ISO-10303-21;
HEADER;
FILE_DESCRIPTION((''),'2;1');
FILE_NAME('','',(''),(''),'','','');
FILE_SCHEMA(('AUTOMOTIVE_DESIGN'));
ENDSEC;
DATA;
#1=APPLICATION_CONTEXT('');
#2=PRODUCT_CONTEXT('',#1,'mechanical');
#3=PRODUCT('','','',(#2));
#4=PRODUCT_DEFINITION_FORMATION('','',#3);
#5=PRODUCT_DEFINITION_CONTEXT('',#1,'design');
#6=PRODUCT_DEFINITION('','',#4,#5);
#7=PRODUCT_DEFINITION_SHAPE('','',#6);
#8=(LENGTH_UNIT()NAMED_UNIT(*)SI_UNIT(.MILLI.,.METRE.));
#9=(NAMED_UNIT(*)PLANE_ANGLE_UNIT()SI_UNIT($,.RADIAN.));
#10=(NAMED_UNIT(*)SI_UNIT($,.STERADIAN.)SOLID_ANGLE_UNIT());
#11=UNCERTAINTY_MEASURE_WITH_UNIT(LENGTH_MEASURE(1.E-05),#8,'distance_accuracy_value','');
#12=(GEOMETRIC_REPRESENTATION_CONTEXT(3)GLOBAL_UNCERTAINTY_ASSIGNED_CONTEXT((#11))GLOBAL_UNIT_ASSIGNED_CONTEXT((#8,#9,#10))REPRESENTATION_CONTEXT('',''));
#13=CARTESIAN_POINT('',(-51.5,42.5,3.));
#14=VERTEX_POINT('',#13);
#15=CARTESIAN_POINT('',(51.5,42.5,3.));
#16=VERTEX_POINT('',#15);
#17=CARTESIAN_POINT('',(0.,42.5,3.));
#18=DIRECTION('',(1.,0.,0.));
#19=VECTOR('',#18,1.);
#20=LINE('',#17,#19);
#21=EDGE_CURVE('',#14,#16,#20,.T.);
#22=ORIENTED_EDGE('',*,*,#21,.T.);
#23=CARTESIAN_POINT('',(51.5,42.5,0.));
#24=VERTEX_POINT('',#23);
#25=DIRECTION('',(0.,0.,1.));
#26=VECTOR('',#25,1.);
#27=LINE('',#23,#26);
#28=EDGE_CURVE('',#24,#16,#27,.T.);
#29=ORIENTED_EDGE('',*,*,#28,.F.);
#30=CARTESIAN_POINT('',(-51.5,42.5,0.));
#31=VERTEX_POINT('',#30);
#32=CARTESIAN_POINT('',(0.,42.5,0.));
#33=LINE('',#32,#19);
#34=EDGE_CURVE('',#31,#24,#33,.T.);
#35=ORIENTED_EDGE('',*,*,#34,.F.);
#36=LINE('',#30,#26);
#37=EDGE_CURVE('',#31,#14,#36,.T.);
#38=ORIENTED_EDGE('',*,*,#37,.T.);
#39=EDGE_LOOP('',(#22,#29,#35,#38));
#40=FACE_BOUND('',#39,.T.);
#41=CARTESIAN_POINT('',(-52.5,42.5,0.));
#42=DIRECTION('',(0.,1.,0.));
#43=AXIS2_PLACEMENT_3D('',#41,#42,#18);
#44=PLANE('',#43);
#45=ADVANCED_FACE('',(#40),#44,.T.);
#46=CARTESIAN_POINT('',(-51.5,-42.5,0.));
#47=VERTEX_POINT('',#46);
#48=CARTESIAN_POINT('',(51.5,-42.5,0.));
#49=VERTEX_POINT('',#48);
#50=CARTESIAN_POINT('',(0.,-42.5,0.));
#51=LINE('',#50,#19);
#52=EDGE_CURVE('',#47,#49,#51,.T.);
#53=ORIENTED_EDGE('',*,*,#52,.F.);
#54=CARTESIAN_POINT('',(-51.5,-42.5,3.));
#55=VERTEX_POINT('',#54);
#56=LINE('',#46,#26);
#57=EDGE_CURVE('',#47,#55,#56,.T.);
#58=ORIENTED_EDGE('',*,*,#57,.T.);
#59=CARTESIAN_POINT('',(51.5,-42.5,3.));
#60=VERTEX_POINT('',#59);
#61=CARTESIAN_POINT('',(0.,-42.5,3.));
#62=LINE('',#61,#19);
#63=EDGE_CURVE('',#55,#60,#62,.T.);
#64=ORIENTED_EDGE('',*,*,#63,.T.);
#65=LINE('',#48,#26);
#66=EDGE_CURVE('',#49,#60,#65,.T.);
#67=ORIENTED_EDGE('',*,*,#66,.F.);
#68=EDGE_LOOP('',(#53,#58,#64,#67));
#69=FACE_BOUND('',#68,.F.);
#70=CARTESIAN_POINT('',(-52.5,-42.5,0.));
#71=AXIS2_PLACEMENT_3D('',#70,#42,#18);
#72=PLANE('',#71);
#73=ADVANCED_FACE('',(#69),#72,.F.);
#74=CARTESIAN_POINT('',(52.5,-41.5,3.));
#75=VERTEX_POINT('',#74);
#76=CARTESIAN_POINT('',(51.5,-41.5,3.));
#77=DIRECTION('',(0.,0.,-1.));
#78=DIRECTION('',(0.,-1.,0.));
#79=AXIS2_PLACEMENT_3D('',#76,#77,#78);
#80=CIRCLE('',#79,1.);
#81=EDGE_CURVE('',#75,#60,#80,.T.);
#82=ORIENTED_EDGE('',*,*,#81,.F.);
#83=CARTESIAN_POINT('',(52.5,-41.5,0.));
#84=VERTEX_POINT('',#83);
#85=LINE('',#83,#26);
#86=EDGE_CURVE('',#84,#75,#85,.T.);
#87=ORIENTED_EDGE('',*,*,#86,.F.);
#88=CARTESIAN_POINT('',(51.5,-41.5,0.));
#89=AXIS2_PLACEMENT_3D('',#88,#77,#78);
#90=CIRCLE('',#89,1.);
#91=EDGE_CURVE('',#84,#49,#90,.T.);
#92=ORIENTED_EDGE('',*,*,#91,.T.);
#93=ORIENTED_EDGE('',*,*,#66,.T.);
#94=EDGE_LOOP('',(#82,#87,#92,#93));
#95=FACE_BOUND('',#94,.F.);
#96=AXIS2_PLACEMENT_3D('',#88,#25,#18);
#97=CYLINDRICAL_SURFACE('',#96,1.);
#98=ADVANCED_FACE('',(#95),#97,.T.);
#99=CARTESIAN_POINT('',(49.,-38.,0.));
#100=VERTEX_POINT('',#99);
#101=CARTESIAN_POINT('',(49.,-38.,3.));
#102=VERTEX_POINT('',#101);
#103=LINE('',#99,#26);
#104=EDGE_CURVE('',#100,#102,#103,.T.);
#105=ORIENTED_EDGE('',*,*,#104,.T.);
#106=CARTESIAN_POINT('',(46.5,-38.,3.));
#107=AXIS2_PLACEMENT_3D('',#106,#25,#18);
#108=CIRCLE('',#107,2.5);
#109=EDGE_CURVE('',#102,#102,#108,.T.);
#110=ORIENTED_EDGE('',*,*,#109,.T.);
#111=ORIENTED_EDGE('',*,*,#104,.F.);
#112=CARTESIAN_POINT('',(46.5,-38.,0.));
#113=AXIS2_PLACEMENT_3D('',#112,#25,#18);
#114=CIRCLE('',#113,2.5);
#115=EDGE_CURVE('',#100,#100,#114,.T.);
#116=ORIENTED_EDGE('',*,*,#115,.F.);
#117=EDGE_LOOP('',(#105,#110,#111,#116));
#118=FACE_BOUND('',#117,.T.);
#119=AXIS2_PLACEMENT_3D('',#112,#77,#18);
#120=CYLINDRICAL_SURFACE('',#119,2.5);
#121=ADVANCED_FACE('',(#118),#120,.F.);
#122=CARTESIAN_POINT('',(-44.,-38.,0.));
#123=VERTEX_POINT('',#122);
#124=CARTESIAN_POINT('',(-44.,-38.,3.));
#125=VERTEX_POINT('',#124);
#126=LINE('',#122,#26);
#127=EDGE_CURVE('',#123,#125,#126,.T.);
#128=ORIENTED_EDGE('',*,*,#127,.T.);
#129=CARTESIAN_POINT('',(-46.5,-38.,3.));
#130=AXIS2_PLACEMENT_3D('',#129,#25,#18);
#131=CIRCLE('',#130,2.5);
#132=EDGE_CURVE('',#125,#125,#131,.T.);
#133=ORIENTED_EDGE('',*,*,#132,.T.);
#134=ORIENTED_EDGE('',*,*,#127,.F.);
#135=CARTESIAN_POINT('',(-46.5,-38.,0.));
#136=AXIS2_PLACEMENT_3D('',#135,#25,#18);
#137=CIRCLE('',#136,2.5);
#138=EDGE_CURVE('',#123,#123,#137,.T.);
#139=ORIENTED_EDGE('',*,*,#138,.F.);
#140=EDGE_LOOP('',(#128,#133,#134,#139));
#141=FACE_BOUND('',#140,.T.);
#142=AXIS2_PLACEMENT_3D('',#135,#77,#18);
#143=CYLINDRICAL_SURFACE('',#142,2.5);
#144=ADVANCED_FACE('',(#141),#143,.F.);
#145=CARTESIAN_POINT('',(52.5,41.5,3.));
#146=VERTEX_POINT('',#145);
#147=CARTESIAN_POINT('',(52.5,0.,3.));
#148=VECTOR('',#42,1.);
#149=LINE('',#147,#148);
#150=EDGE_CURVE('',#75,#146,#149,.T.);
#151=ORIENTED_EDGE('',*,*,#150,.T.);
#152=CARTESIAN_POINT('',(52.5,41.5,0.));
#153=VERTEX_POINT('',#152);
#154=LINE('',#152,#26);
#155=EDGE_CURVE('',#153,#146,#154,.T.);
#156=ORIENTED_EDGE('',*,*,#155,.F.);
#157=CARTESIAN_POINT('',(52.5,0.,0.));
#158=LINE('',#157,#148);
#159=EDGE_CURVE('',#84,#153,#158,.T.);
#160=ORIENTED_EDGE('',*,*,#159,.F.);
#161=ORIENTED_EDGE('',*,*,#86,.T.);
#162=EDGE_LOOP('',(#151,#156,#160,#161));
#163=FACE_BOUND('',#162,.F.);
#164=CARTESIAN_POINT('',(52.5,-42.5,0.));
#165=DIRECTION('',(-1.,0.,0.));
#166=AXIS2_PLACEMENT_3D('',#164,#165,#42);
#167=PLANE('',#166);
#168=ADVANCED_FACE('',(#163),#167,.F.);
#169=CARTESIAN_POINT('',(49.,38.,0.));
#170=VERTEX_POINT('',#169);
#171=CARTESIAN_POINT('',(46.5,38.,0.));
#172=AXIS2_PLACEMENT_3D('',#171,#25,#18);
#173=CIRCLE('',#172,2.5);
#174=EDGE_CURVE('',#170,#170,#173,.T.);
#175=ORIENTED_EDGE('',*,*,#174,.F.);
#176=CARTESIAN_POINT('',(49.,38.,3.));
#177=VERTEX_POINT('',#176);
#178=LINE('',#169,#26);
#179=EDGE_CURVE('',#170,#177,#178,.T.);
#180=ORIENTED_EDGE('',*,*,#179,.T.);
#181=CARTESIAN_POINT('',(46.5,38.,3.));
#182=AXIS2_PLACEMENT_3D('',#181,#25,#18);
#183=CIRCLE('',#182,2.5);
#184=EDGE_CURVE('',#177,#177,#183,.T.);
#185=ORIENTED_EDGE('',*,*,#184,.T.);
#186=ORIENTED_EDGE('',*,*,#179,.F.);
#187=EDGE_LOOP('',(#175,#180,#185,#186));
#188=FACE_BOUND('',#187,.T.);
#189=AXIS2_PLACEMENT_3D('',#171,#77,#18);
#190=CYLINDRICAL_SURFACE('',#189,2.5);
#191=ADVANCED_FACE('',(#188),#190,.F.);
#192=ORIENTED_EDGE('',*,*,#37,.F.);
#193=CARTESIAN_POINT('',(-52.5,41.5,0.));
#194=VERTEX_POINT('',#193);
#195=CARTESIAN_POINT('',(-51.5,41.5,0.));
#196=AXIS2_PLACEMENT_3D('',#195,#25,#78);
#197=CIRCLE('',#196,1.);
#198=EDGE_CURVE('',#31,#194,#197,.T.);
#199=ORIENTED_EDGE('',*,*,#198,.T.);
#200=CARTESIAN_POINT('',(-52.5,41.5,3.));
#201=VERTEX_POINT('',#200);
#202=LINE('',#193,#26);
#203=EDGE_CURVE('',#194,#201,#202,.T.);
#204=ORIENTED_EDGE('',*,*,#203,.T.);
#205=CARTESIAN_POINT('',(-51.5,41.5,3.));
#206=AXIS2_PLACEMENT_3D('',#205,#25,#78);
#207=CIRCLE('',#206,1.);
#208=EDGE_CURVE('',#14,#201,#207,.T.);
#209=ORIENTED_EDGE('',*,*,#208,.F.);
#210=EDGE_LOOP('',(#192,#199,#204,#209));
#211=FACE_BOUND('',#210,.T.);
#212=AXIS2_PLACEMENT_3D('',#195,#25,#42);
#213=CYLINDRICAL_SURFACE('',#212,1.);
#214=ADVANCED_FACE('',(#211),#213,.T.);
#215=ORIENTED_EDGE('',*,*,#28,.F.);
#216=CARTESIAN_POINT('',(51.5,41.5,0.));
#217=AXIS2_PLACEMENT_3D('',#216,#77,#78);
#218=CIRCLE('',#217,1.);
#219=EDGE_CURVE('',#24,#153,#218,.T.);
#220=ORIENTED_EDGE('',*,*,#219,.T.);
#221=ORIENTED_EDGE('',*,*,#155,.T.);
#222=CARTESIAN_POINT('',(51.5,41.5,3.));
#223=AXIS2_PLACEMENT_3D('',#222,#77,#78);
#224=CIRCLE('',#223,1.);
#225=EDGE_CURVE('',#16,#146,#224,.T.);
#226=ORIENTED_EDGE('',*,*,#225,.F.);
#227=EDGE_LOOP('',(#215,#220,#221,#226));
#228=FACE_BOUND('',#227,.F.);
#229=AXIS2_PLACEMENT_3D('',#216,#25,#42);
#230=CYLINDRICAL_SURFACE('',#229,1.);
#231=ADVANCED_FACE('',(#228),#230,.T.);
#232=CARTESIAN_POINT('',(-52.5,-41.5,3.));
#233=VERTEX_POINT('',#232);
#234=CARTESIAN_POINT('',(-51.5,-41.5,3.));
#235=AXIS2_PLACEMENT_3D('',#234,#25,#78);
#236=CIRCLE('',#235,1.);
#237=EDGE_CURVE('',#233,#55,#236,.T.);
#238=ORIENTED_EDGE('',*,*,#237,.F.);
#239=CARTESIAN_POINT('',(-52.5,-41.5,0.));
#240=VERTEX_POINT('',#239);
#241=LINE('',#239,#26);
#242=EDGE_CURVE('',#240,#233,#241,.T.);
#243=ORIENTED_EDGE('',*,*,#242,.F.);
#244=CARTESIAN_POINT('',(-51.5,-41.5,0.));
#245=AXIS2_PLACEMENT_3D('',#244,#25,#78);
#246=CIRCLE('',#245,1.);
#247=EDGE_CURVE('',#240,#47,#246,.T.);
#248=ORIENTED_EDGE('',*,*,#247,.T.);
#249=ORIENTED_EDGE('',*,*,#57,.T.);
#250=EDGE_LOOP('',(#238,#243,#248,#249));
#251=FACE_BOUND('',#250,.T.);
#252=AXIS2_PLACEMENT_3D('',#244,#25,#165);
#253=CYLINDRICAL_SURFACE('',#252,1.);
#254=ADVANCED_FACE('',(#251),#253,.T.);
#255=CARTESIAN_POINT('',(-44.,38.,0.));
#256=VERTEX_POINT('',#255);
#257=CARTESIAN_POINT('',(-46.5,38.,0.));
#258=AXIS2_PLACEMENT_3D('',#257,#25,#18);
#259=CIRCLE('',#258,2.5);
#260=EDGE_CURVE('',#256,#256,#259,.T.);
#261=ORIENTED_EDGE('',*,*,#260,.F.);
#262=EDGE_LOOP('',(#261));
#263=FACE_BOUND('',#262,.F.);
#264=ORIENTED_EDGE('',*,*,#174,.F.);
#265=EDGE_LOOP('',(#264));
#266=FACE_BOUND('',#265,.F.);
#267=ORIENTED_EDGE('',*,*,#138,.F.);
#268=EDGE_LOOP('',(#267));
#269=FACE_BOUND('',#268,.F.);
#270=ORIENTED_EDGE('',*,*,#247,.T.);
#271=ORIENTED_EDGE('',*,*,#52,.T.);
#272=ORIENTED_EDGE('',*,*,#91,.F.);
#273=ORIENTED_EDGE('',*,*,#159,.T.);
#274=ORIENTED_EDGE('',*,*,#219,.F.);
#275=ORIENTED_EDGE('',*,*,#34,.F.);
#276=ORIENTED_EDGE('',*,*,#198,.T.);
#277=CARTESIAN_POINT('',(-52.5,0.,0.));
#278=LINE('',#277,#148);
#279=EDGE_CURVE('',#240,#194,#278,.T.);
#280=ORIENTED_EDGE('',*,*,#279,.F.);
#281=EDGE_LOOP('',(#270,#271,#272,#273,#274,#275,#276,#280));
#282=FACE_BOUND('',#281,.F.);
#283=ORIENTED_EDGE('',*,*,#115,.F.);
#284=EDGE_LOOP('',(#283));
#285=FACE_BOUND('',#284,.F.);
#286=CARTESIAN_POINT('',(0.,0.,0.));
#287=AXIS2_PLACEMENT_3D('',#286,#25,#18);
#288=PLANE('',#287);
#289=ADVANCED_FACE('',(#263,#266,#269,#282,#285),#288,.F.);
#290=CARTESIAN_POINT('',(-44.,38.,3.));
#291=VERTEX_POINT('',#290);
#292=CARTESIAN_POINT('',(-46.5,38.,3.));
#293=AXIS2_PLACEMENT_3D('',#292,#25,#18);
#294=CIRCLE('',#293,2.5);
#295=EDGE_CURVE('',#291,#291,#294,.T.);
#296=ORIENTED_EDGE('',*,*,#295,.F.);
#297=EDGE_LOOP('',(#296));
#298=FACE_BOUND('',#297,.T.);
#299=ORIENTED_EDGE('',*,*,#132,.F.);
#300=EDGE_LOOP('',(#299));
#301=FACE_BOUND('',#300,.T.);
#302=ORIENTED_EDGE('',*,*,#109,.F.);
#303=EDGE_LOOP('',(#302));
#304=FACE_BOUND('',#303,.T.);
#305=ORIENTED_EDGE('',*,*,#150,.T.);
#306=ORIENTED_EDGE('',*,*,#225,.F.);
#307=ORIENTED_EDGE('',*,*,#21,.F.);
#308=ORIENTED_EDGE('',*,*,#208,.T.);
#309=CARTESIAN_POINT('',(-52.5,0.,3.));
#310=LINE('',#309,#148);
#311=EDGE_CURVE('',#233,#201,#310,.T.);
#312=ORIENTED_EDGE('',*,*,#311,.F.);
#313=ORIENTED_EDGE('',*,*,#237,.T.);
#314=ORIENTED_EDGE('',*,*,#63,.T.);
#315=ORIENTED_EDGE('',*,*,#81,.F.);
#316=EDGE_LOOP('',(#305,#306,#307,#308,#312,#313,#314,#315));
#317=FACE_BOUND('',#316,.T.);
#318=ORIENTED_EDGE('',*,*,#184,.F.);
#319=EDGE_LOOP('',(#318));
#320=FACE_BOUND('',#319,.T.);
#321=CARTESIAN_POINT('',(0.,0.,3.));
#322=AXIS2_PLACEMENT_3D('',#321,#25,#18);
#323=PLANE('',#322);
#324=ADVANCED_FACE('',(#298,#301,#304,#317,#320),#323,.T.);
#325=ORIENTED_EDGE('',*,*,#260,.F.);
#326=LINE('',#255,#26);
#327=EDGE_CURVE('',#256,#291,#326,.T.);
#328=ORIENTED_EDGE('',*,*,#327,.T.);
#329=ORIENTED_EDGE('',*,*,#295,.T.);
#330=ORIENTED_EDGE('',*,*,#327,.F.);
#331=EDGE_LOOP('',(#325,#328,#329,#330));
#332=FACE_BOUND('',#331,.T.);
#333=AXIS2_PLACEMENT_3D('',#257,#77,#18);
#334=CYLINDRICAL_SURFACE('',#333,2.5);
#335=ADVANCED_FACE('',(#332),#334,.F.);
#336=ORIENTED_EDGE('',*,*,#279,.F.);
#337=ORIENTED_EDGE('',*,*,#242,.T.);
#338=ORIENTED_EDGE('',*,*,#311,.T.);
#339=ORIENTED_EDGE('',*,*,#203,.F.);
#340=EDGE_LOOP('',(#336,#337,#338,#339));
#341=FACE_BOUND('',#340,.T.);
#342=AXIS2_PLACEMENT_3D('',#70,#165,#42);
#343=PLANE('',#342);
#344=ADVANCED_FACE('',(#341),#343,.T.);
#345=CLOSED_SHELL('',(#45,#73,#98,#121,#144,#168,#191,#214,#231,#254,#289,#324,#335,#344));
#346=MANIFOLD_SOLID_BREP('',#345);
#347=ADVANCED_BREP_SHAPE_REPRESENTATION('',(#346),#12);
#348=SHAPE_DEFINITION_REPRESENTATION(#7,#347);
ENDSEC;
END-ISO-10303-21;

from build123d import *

# Parameters (mm, degrees)
SKETCH_W    = 105
SKETCH_H    = 85
SKETCH_R    = 2.5
PAD_DEPTH   = 3
FILLET_R    = 1
FILLET001_R = 1


with BuildPart() as part:
    # Sketch → Pad (new body)
    with BuildSketch(Plane.XY):
        Rectangle(SKETCH_W, SKETCH_H)
        with Locations((-46.5, 38)):
            Circle(SKETCH_R, mode=Mode.SUBTRACT)
        with Locations((46.5, 38)):
            Circle(SKETCH_R, mode=Mode.SUBTRACT)
        with Locations((-46.5, -38)):
            Circle(SKETCH_R, mode=Mode.SUBTRACT)
        with Locations((46.5, -38)):
            Circle(SKETCH_R, mode=Mode.SUBTRACT)
    extrude(amount=PAD_DEPTH)

    # Fillet
    fillet_edges = [part.edges().sort_by_distance(p)[0] for p in [
        (52.5, 42.5, 1.5),
    ]]
    fillet(fillet_edges, radius=FILLET_R)

    # Fillet001
    fillet001_edges = [part.edges().sort_by_distance(p)[0] for p in [
        (-52.5, 42.5, 1.5),
        (52.5, -42.5, 1.5),
        (-52.5, -42.5, 1.5),
    ]]
    fillet(fillet001_edges, radius=FILLET001_R)


solid = part.part
